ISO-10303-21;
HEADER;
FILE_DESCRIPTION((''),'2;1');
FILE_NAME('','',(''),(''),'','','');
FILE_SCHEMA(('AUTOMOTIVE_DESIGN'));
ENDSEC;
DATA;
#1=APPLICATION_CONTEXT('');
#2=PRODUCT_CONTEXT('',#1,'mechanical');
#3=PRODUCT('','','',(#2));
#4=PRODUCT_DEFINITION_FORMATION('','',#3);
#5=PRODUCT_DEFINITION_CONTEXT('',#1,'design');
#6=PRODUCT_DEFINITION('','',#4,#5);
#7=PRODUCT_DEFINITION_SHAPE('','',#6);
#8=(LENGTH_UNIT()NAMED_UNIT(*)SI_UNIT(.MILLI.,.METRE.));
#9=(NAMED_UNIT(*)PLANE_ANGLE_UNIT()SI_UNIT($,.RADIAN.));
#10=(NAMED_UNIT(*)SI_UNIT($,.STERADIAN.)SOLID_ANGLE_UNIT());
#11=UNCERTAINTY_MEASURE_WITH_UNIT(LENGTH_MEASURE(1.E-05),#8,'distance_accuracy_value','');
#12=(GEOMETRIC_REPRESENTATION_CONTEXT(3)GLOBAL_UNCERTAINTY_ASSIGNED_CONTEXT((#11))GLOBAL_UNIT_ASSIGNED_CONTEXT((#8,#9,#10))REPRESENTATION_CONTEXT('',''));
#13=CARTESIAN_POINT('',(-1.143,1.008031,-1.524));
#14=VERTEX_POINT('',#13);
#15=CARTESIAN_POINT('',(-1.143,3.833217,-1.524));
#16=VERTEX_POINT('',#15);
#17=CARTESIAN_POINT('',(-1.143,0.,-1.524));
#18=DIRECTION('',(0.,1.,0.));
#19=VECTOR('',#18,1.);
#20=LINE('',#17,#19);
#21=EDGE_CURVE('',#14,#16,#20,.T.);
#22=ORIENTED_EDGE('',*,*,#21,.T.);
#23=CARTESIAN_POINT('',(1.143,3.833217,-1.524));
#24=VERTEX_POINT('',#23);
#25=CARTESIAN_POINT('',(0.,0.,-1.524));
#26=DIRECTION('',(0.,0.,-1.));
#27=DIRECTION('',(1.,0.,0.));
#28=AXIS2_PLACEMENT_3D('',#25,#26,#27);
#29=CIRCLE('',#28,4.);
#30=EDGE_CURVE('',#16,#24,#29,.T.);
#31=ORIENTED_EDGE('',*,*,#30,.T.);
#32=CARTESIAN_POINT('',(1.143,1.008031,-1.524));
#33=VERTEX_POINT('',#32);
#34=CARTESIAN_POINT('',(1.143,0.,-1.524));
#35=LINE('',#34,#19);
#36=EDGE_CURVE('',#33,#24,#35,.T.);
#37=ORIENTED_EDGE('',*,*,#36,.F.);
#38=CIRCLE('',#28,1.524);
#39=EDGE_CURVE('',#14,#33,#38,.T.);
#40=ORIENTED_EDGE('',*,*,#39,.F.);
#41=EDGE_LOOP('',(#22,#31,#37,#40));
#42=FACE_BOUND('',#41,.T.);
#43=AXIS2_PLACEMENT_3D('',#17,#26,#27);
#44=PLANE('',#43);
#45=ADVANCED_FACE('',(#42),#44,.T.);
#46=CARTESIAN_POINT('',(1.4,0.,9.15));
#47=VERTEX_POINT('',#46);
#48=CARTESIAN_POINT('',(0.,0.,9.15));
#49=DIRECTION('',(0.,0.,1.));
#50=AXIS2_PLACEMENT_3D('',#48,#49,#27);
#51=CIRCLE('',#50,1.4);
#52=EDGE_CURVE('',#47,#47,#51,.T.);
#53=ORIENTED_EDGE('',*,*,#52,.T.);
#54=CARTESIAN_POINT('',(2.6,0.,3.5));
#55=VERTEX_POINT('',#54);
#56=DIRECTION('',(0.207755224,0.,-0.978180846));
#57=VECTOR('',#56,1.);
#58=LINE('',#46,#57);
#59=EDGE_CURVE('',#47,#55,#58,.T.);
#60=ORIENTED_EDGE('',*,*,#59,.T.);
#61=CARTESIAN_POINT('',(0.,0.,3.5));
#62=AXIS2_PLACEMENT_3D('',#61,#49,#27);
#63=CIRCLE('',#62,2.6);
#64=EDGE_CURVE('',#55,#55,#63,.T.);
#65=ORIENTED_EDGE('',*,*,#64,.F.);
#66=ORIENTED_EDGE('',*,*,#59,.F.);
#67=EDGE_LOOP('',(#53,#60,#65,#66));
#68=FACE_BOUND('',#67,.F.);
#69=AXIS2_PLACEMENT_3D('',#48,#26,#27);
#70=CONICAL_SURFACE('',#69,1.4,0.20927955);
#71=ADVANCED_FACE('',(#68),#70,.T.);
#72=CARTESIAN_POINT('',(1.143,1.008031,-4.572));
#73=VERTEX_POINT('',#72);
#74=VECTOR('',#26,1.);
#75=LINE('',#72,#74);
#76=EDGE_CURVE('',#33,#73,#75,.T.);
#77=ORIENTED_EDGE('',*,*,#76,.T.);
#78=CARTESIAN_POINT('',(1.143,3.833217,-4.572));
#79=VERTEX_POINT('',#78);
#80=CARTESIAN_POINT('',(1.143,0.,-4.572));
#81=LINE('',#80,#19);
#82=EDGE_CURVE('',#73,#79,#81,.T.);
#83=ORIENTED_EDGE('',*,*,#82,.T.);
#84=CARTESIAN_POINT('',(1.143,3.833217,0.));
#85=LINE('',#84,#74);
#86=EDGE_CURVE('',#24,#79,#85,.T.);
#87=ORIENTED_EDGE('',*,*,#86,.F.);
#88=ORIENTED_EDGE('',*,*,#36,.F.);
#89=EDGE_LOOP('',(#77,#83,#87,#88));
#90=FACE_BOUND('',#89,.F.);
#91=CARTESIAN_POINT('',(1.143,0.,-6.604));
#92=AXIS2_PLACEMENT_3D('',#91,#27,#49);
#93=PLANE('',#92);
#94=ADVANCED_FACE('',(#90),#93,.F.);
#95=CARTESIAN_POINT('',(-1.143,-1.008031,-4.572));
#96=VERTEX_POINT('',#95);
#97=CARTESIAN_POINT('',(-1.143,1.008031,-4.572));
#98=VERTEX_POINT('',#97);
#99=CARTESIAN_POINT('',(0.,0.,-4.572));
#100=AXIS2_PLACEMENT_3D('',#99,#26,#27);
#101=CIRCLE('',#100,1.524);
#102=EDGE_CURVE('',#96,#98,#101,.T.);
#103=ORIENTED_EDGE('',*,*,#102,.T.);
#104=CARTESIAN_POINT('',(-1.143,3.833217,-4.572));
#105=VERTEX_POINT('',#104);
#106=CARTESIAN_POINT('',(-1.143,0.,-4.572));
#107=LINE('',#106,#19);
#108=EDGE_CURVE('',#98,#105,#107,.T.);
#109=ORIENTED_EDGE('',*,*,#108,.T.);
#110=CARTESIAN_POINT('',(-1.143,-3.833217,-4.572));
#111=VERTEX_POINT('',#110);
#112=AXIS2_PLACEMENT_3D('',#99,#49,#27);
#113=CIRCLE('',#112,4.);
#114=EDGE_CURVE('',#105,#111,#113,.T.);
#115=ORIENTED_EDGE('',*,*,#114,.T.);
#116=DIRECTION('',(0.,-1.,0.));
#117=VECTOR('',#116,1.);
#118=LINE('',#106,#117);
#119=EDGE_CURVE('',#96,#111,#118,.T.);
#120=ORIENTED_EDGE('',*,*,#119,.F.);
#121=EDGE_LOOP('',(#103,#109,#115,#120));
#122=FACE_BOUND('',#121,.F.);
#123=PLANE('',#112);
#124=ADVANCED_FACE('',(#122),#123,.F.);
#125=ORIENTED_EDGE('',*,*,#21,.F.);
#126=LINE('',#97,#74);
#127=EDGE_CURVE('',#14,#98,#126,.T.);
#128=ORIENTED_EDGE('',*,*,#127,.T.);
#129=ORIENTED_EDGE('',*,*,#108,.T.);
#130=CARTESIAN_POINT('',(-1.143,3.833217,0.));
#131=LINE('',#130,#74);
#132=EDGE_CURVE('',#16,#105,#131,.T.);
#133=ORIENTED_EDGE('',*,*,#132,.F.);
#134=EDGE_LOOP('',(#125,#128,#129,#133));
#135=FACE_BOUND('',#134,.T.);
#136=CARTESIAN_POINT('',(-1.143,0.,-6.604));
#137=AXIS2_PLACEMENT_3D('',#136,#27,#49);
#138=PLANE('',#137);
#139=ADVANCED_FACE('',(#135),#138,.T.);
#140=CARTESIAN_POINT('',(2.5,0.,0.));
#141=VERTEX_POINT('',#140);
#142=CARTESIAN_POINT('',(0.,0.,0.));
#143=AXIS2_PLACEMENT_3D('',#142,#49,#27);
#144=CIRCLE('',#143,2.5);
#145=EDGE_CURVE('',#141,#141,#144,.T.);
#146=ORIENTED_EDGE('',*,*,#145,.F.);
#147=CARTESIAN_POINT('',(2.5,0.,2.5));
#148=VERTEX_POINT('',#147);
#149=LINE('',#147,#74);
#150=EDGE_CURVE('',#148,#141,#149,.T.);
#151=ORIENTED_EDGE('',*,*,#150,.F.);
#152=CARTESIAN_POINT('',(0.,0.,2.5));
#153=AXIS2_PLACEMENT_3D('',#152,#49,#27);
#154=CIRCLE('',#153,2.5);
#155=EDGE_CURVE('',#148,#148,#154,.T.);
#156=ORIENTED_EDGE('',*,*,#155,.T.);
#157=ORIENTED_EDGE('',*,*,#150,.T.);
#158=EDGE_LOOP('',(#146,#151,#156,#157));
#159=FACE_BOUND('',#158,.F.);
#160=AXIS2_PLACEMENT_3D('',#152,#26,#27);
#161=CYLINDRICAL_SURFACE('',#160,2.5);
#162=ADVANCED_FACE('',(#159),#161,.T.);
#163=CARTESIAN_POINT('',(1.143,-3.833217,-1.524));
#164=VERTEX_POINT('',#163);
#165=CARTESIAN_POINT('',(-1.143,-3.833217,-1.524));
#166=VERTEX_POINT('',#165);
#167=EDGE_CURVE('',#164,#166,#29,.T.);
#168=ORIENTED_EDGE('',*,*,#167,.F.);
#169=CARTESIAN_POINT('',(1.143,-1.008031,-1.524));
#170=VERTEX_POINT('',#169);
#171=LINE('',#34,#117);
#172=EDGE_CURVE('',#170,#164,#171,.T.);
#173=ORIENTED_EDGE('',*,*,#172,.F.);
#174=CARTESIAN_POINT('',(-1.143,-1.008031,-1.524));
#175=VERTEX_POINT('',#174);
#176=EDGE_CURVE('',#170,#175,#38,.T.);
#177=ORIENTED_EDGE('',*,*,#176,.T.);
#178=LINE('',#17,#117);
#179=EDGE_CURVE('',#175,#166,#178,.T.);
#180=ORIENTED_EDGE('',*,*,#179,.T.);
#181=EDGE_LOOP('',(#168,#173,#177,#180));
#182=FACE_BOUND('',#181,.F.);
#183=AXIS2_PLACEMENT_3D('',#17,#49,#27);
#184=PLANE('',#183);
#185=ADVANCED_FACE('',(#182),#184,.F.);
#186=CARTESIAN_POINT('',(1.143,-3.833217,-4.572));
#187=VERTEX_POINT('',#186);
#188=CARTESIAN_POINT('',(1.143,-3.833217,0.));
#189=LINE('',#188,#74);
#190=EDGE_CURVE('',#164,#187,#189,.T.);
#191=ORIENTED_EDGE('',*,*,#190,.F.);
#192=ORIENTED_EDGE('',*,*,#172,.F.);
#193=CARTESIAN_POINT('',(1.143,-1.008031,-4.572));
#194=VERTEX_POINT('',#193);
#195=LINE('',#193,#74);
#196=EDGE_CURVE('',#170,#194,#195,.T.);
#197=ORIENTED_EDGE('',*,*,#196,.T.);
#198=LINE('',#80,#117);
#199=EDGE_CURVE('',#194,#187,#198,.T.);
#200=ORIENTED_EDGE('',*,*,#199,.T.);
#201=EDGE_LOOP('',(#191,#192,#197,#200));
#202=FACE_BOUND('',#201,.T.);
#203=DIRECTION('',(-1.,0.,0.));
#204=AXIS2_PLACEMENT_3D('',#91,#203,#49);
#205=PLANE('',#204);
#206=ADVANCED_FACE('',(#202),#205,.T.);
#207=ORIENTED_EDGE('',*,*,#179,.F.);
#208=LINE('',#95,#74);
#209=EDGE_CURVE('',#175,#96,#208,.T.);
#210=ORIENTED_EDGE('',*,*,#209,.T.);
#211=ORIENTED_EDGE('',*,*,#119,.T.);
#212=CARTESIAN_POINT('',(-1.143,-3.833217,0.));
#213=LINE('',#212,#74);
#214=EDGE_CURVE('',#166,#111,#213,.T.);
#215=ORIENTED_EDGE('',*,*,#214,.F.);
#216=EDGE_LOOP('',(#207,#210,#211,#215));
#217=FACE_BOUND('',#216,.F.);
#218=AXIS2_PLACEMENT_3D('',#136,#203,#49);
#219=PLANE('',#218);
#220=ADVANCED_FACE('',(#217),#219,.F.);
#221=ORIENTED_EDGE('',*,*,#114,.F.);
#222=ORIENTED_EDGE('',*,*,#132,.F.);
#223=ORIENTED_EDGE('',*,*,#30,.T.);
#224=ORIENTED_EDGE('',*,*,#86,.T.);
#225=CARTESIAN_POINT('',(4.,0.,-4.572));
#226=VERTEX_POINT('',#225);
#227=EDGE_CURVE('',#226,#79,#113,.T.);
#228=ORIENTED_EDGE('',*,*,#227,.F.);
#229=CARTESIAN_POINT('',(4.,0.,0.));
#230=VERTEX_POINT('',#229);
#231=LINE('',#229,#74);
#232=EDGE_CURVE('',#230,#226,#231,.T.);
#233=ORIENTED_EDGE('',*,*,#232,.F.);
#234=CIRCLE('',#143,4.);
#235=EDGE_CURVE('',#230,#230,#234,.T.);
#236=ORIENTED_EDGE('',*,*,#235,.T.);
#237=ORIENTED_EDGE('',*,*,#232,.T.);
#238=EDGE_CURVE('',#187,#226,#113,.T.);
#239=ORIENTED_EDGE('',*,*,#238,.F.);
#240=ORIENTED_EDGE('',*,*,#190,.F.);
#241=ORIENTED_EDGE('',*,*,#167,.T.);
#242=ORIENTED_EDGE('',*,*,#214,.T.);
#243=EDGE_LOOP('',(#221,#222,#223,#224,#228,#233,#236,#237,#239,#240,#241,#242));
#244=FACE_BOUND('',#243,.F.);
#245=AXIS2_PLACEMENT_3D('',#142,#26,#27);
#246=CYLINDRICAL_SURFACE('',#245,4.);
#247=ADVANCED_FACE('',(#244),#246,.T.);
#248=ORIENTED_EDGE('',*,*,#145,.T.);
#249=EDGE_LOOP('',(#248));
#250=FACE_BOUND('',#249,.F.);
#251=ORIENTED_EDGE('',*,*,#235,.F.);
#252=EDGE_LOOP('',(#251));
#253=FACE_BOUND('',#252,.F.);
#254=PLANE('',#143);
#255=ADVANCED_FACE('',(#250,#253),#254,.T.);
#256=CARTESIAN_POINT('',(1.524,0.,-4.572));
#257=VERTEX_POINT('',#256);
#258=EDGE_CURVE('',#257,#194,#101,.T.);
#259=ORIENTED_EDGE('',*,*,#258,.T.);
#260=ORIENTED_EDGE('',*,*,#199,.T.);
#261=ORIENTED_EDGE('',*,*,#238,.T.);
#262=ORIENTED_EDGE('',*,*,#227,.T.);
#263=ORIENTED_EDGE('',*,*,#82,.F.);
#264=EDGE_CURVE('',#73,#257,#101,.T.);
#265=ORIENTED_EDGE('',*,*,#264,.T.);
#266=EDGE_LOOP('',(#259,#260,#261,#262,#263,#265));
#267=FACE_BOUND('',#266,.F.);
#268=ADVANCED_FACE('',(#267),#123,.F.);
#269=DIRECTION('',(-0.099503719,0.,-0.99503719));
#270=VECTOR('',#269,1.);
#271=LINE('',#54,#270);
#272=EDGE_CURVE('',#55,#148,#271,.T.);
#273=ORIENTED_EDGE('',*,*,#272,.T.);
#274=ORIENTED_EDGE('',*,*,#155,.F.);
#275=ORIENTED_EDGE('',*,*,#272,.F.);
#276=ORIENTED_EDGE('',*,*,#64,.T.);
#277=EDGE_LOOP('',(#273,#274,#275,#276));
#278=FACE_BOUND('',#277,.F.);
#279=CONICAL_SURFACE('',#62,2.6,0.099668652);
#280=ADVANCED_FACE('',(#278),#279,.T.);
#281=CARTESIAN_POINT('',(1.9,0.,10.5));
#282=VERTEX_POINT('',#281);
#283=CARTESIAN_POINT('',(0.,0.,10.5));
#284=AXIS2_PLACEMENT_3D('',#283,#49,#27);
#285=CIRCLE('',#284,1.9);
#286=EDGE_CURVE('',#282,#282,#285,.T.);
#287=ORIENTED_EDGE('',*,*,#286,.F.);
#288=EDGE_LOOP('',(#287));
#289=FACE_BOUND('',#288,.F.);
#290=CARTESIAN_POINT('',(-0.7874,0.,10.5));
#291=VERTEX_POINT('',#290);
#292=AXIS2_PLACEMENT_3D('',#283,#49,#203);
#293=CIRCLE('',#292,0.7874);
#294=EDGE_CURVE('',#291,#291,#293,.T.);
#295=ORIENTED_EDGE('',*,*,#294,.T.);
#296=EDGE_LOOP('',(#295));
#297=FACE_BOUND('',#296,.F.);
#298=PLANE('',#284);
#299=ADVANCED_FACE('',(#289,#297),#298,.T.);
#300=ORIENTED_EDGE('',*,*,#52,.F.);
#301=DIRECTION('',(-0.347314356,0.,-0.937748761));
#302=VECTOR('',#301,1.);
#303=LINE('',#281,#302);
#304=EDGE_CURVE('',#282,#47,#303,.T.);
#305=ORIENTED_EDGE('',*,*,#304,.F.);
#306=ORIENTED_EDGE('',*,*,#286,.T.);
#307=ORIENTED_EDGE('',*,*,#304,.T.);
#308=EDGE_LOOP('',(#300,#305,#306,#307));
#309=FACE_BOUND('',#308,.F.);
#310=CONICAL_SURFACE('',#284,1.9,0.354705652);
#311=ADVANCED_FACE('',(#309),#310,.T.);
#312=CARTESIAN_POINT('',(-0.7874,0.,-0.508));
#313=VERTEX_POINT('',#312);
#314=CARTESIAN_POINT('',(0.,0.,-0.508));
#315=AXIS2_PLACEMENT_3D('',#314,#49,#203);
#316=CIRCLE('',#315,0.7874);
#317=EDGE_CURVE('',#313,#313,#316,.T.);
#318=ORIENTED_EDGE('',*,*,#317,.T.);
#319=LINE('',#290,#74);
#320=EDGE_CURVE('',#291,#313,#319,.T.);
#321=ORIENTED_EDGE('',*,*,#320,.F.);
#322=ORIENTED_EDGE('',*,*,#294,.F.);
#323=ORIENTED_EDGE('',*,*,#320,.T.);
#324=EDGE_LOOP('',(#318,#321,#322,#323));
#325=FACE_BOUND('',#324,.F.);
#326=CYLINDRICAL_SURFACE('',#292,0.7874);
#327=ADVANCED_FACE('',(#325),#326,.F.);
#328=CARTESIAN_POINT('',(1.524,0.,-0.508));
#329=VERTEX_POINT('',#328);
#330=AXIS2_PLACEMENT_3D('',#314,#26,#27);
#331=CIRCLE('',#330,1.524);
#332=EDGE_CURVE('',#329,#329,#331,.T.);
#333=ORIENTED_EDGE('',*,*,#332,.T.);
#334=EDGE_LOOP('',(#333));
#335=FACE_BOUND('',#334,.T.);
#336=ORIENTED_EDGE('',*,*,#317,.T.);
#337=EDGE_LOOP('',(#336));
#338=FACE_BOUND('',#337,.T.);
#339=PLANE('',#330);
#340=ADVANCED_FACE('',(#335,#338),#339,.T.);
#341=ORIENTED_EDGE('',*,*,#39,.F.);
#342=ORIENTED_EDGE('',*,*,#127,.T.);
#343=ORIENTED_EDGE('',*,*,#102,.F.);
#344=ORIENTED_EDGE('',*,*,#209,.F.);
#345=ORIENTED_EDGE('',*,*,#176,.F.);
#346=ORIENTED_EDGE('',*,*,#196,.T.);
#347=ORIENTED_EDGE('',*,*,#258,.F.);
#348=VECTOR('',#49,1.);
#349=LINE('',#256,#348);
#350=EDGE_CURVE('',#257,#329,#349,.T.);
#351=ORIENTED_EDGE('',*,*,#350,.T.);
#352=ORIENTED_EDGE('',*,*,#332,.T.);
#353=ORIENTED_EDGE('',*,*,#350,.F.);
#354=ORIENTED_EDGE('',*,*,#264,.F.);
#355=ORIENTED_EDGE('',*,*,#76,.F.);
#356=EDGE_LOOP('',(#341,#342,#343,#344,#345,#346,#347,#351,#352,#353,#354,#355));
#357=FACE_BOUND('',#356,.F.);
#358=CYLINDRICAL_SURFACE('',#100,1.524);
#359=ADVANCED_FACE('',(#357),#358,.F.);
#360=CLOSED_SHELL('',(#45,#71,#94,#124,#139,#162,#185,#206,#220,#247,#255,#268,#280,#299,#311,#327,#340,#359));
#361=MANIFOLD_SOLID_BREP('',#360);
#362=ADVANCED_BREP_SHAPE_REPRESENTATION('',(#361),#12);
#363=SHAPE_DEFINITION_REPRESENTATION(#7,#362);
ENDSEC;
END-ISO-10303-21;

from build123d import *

# Parameters (mm, degrees)
SKETCH001_R          = 1.524
POCKET_DEPTH         = 4.064
SKETCH002_R          = 0.7874
POCKET001_DEPTH      = 15.073
SKETCH003_W          = 2.286
SKETCH003_H          = 5.08
POCKET002_DEPTH      = 5.0038
POCKET002_DEPTH_BACK = -99.9998


with BuildPart() as part:
    # Sketch → Revolution (revolve)
    with BuildSketch(Plane.XZ):
        Polygon((2.5, 0), (4, 0), (4, -4.572), (0, -4.572), (0, 0), (0, 10.5), (1.9, 10.5), (1.4, 9.15), (2.6, 3.5), (2.5, 2.5), align=None)
    revolve(axis=Axis((0, 0, 0), (0, 0, 1)))

    # Sketch001 (on Face5 of Revolution) → Pocket (cut)
    with BuildSketch(Plane(origin=(0, 0, -4.572), x_dir=(1, 0, 0), z_dir=(0, 0, -1))):
        Circle(SKETCH001_R)
    extrude(amount=-POCKET_DEPTH, mode=Mode.SUBTRACT)

    # Sketch002 (on Face6 of Pocket) → Pocket001 (cut, through all)
    with BuildSketch(Plane(origin=(0, 0, 10.5), x_dir=(-1, 0, 0), z_dir=(0, 0, 1))):
        Circle(SKETCH002_R)
    extrude(amount=-POCKET001_DEPTH, mode=Mode.SUBTRACT)

    # Sketch003 → Pocket002 (cut, two sides)
    with BuildSketch(Plane.XZ) as pocket002_sk:
        with Locations((0, -4.064)):
            Rectangle(SKETCH003_W, SKETCH003_H)
    extrude(amount=-POCKET002_DEPTH, mode=Mode.SUBTRACT)
    extrude(pocket002_sk.sketch, amount=-POCKET002_DEPTH_BACK, mode=Mode.SUBTRACT)


solid = part.part
